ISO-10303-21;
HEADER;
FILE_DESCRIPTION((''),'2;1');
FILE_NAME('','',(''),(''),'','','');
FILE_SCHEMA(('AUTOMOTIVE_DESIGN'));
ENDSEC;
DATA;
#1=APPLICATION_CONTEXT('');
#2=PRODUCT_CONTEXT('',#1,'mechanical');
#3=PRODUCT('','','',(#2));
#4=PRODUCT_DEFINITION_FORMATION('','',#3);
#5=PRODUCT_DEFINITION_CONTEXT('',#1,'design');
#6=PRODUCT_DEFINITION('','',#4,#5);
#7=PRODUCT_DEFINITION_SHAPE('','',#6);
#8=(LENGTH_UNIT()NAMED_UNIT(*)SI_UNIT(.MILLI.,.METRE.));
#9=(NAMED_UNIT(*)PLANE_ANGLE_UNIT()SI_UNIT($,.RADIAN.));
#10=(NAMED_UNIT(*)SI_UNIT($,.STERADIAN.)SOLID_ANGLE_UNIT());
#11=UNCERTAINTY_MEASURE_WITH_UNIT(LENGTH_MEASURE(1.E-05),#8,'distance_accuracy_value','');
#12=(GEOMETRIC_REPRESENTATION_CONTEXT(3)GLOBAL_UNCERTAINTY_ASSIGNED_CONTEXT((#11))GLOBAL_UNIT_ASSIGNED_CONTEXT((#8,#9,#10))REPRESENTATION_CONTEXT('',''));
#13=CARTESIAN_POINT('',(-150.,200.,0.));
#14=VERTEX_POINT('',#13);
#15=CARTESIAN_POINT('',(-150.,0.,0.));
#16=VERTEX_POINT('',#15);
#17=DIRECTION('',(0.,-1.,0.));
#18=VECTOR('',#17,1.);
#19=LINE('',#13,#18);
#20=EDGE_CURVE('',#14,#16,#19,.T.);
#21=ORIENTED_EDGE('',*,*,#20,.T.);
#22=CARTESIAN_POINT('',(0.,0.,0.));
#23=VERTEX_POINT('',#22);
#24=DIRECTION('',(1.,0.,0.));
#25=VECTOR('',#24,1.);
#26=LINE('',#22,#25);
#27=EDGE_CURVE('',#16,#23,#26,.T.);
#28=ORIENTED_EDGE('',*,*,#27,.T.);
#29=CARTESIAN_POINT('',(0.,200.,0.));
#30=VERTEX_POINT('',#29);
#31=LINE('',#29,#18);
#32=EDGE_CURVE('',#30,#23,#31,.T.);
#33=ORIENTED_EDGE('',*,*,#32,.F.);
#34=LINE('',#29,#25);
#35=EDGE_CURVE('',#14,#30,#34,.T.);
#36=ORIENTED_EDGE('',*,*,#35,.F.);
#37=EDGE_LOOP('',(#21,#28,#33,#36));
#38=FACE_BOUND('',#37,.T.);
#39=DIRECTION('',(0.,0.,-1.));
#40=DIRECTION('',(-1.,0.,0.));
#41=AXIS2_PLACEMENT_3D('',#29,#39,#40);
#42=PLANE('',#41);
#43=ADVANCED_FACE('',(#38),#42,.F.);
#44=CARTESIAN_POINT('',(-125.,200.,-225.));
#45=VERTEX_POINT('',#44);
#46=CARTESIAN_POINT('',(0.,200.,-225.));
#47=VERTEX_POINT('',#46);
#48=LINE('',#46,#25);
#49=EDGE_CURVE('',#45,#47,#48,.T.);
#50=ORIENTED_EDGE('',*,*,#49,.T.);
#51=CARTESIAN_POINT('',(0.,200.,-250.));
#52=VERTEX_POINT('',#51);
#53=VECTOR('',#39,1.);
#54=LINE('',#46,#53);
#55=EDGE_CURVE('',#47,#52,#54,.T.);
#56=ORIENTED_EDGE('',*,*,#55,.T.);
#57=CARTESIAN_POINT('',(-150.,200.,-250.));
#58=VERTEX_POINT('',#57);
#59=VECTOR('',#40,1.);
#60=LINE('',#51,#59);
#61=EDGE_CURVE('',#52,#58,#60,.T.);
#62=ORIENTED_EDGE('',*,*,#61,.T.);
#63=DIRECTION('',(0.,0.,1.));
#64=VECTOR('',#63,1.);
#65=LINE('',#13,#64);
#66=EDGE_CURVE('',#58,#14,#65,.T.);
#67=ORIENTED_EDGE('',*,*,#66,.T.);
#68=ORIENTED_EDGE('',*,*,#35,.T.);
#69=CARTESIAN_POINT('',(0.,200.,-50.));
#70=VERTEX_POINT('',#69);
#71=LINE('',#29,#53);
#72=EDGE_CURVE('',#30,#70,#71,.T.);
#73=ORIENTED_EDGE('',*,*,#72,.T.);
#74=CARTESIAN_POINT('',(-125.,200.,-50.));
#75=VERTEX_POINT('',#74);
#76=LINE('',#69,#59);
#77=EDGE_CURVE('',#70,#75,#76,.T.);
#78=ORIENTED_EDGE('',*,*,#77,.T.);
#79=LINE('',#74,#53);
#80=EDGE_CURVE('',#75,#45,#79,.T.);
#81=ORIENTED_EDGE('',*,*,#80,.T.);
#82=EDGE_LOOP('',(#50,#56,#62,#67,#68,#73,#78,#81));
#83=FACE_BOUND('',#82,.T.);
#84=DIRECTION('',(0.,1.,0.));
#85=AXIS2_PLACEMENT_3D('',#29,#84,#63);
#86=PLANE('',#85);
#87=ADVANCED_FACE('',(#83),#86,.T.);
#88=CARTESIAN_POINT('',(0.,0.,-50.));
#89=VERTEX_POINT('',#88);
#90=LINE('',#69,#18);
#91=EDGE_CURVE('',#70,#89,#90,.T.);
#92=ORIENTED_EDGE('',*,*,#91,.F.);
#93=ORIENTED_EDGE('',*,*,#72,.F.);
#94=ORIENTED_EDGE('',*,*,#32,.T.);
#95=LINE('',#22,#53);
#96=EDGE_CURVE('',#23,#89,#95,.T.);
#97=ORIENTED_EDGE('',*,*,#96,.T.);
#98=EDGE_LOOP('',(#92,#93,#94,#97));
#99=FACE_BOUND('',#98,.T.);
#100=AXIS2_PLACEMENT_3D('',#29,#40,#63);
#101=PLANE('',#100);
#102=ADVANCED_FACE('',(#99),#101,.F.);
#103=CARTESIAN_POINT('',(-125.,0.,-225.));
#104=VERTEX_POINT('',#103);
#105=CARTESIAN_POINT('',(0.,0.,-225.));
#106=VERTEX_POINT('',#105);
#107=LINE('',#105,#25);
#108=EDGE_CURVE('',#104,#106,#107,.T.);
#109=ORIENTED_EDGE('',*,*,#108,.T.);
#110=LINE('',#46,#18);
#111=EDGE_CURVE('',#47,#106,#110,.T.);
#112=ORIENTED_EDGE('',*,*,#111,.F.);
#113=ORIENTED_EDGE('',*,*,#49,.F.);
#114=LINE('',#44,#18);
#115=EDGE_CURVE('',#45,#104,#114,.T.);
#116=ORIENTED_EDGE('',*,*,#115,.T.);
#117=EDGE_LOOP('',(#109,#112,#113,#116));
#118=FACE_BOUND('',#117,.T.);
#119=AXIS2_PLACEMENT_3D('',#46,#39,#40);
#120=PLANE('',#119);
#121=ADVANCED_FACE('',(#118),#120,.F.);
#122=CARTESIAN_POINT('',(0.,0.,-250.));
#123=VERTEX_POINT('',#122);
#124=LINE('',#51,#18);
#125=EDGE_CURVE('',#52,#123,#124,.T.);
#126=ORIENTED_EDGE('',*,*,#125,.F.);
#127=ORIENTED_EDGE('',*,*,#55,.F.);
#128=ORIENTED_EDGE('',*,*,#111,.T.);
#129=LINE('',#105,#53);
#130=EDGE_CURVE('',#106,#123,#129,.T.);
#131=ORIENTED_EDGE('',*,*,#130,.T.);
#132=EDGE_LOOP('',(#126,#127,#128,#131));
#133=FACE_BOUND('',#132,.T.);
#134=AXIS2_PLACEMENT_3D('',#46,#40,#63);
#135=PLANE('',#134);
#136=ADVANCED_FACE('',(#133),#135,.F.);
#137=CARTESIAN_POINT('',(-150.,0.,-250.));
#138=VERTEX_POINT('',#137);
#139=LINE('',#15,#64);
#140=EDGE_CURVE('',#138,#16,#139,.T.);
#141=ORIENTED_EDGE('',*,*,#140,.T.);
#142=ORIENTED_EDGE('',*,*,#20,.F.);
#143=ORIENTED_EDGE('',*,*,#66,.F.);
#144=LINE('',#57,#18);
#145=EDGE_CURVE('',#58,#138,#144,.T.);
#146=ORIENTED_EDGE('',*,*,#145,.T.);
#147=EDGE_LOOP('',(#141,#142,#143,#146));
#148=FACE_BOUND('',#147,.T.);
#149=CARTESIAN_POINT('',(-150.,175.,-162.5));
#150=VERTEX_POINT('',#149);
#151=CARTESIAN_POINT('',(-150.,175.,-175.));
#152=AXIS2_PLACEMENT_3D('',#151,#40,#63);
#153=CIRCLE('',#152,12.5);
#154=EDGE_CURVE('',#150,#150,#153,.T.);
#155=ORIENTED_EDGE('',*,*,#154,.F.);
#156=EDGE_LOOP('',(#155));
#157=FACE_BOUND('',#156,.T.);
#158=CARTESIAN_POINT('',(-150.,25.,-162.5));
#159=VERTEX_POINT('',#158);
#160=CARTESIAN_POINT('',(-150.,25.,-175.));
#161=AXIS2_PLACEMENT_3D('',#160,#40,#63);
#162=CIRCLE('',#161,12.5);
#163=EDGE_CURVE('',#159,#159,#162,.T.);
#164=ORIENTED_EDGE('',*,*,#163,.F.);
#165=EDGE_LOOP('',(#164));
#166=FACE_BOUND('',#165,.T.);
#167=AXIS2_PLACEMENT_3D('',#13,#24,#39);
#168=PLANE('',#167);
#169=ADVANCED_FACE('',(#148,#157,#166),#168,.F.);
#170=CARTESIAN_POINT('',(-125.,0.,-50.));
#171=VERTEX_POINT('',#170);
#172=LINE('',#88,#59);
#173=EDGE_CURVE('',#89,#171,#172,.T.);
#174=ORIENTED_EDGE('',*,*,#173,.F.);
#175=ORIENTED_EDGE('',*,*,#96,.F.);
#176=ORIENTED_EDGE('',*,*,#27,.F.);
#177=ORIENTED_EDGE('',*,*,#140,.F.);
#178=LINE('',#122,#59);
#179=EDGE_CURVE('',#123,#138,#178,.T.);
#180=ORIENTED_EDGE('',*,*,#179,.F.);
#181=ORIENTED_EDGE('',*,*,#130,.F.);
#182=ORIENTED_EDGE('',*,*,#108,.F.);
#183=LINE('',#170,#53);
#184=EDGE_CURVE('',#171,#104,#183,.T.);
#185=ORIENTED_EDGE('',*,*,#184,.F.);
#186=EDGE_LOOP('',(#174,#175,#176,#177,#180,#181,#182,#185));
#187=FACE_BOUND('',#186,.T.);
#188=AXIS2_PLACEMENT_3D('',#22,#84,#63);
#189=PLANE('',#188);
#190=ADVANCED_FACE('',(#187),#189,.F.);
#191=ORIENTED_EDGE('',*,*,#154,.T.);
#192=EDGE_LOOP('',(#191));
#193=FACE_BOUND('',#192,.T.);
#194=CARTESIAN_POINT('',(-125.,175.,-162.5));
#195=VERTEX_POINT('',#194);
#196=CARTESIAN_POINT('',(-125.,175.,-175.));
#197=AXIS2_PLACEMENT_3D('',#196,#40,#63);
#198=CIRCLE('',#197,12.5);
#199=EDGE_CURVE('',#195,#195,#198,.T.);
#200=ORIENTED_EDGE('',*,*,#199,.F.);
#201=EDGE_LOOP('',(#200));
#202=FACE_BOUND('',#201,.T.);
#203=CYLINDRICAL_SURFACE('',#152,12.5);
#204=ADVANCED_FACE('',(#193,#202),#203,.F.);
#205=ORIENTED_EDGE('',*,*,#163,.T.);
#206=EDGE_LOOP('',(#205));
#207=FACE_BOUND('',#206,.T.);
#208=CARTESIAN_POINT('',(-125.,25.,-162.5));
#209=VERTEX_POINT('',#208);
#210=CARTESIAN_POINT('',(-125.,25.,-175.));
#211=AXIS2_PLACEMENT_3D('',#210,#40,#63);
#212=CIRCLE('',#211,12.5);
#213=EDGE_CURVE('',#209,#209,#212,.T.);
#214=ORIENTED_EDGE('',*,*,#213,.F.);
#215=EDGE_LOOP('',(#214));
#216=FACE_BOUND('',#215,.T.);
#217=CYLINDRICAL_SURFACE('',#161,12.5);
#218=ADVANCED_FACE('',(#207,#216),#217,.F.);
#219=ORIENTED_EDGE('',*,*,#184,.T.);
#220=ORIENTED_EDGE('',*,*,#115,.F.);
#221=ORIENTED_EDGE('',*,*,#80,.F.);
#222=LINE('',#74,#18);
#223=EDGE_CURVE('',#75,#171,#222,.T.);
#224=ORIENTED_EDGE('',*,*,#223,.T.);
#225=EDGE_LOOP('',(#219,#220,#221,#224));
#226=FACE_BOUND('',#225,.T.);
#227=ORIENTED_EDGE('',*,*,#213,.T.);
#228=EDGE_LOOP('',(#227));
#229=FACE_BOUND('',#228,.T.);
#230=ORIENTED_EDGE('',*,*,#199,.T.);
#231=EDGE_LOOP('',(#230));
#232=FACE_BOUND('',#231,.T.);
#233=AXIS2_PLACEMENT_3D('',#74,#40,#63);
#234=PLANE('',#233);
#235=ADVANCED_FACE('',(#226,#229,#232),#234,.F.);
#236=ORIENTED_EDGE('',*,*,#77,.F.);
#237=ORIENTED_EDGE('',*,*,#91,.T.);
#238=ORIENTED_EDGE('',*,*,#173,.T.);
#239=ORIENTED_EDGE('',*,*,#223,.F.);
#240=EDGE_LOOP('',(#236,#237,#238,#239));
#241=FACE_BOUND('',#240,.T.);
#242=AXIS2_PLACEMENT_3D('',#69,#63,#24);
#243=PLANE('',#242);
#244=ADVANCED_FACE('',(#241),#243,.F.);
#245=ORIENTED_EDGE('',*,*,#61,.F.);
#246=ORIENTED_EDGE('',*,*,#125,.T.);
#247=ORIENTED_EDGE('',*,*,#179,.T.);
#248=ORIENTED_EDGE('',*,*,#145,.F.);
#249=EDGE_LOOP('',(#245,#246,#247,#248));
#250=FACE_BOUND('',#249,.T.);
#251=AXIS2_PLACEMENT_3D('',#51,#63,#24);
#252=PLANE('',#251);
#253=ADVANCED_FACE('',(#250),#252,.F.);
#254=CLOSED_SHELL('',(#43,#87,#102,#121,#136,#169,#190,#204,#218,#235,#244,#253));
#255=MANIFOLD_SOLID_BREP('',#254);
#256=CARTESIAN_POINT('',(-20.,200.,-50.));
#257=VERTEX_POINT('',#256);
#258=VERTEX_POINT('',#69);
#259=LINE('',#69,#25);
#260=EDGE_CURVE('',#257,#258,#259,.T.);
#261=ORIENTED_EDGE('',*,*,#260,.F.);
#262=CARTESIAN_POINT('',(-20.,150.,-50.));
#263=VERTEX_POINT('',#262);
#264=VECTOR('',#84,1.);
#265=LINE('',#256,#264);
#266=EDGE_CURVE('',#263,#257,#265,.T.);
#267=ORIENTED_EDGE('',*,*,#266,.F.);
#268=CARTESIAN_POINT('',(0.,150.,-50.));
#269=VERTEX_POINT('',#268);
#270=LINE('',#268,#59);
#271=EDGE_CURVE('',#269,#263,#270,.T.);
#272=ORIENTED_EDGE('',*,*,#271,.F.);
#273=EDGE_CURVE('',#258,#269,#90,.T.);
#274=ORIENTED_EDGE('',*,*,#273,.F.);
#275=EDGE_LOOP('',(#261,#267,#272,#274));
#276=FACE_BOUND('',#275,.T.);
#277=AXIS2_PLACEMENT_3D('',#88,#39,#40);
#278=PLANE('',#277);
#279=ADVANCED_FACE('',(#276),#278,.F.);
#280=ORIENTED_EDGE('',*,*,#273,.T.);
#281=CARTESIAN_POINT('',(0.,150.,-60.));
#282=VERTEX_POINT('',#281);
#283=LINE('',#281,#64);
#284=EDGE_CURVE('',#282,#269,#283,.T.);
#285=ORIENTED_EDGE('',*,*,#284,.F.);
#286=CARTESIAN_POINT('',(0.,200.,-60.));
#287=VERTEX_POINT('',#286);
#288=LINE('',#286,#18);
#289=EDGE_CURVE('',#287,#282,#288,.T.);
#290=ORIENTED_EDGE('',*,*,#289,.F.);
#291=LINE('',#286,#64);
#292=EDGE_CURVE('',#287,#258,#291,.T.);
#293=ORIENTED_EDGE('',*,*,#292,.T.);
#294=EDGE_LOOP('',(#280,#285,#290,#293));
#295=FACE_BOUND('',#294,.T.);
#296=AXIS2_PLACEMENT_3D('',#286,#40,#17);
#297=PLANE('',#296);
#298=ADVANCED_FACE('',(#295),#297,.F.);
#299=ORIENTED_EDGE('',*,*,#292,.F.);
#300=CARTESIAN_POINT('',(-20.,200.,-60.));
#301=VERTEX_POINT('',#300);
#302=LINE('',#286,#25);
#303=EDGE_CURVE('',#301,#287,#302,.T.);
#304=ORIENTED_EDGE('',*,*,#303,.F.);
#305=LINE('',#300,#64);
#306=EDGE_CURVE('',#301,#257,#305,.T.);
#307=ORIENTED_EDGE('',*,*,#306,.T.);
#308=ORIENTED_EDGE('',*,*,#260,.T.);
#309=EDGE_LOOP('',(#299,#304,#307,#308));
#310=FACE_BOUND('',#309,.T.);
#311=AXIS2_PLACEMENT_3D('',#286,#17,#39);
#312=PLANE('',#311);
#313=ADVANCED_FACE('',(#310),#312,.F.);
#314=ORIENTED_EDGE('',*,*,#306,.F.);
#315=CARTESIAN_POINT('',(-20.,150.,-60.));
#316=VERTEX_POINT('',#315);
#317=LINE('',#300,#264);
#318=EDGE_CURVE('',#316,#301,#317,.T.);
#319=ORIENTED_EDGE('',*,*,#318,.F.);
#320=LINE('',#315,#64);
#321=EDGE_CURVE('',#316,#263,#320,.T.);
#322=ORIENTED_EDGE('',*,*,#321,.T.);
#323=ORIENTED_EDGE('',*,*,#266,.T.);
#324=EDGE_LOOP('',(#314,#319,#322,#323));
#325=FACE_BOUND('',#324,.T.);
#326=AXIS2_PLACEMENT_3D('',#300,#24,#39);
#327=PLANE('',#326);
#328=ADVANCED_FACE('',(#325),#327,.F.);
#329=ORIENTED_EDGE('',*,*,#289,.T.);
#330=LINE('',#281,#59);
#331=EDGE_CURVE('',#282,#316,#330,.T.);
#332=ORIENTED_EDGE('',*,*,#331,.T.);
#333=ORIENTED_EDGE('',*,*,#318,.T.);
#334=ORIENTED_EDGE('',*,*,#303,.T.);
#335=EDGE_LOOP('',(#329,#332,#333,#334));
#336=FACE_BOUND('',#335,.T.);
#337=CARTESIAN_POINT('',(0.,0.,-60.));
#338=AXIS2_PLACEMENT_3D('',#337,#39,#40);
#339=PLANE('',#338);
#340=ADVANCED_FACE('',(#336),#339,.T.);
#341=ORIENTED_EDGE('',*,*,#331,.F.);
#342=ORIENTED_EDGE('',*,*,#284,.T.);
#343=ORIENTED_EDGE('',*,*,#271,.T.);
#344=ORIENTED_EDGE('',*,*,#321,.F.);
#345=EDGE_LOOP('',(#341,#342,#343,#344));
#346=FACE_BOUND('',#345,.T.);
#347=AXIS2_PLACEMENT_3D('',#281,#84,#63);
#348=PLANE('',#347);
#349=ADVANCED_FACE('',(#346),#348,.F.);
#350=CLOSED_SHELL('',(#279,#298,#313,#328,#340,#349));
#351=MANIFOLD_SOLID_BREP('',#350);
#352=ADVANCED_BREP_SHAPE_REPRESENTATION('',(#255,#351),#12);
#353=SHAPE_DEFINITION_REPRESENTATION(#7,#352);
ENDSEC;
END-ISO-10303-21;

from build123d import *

# Parameters (mm, degrees)
BOSS_EXTRUDE1_DEPTH = 200
HOLE1_D             = 25
SKETCH4_W           = 20
SKETCH4_H           = 50
BOSS_EXTRUDE2_DEPTH = 10


with BuildPart() as part:
    # Sketch1 → Boss-Extrude1 (new body)
    with BuildSketch(Plane(origin=(0, 0, 0), x_dir=(1, 0, 0), z_dir=(0, 1, 0))):
        Polygon((0, 225), (0, 250), (-150, 250), (-150, 0), (0, 0), (0, 50), (-125, 50), (-125, 225), align=None)
    extrude(amount=BOSS_EXTRUDE1_DEPTH)

    # Hole1 (through all)
    with Locations(Plane(origin=(-150, 175, -175), x_dir=(0, 0, -1), z_dir=(-1, 0, 0))):
        with Locations((0, 0), (0, 150)):
            Hole(HOLE1_D / 2)


with BuildPart() as body_2:
    # Sketch4 → Boss-Extrude2 (new body)
    with BuildSketch(Plane(origin=(0, 0, -50), x_dir=(-1, 0, 0), z_dir=(0, 0, -1))):
        with Locations((10, 175)):
            Rectangle(SKETCH4_W, SKETCH4_H)
    extrude(amount=BOSS_EXTRUDE2_DEPTH)


solid = Compound([part.part, body_2.part])
